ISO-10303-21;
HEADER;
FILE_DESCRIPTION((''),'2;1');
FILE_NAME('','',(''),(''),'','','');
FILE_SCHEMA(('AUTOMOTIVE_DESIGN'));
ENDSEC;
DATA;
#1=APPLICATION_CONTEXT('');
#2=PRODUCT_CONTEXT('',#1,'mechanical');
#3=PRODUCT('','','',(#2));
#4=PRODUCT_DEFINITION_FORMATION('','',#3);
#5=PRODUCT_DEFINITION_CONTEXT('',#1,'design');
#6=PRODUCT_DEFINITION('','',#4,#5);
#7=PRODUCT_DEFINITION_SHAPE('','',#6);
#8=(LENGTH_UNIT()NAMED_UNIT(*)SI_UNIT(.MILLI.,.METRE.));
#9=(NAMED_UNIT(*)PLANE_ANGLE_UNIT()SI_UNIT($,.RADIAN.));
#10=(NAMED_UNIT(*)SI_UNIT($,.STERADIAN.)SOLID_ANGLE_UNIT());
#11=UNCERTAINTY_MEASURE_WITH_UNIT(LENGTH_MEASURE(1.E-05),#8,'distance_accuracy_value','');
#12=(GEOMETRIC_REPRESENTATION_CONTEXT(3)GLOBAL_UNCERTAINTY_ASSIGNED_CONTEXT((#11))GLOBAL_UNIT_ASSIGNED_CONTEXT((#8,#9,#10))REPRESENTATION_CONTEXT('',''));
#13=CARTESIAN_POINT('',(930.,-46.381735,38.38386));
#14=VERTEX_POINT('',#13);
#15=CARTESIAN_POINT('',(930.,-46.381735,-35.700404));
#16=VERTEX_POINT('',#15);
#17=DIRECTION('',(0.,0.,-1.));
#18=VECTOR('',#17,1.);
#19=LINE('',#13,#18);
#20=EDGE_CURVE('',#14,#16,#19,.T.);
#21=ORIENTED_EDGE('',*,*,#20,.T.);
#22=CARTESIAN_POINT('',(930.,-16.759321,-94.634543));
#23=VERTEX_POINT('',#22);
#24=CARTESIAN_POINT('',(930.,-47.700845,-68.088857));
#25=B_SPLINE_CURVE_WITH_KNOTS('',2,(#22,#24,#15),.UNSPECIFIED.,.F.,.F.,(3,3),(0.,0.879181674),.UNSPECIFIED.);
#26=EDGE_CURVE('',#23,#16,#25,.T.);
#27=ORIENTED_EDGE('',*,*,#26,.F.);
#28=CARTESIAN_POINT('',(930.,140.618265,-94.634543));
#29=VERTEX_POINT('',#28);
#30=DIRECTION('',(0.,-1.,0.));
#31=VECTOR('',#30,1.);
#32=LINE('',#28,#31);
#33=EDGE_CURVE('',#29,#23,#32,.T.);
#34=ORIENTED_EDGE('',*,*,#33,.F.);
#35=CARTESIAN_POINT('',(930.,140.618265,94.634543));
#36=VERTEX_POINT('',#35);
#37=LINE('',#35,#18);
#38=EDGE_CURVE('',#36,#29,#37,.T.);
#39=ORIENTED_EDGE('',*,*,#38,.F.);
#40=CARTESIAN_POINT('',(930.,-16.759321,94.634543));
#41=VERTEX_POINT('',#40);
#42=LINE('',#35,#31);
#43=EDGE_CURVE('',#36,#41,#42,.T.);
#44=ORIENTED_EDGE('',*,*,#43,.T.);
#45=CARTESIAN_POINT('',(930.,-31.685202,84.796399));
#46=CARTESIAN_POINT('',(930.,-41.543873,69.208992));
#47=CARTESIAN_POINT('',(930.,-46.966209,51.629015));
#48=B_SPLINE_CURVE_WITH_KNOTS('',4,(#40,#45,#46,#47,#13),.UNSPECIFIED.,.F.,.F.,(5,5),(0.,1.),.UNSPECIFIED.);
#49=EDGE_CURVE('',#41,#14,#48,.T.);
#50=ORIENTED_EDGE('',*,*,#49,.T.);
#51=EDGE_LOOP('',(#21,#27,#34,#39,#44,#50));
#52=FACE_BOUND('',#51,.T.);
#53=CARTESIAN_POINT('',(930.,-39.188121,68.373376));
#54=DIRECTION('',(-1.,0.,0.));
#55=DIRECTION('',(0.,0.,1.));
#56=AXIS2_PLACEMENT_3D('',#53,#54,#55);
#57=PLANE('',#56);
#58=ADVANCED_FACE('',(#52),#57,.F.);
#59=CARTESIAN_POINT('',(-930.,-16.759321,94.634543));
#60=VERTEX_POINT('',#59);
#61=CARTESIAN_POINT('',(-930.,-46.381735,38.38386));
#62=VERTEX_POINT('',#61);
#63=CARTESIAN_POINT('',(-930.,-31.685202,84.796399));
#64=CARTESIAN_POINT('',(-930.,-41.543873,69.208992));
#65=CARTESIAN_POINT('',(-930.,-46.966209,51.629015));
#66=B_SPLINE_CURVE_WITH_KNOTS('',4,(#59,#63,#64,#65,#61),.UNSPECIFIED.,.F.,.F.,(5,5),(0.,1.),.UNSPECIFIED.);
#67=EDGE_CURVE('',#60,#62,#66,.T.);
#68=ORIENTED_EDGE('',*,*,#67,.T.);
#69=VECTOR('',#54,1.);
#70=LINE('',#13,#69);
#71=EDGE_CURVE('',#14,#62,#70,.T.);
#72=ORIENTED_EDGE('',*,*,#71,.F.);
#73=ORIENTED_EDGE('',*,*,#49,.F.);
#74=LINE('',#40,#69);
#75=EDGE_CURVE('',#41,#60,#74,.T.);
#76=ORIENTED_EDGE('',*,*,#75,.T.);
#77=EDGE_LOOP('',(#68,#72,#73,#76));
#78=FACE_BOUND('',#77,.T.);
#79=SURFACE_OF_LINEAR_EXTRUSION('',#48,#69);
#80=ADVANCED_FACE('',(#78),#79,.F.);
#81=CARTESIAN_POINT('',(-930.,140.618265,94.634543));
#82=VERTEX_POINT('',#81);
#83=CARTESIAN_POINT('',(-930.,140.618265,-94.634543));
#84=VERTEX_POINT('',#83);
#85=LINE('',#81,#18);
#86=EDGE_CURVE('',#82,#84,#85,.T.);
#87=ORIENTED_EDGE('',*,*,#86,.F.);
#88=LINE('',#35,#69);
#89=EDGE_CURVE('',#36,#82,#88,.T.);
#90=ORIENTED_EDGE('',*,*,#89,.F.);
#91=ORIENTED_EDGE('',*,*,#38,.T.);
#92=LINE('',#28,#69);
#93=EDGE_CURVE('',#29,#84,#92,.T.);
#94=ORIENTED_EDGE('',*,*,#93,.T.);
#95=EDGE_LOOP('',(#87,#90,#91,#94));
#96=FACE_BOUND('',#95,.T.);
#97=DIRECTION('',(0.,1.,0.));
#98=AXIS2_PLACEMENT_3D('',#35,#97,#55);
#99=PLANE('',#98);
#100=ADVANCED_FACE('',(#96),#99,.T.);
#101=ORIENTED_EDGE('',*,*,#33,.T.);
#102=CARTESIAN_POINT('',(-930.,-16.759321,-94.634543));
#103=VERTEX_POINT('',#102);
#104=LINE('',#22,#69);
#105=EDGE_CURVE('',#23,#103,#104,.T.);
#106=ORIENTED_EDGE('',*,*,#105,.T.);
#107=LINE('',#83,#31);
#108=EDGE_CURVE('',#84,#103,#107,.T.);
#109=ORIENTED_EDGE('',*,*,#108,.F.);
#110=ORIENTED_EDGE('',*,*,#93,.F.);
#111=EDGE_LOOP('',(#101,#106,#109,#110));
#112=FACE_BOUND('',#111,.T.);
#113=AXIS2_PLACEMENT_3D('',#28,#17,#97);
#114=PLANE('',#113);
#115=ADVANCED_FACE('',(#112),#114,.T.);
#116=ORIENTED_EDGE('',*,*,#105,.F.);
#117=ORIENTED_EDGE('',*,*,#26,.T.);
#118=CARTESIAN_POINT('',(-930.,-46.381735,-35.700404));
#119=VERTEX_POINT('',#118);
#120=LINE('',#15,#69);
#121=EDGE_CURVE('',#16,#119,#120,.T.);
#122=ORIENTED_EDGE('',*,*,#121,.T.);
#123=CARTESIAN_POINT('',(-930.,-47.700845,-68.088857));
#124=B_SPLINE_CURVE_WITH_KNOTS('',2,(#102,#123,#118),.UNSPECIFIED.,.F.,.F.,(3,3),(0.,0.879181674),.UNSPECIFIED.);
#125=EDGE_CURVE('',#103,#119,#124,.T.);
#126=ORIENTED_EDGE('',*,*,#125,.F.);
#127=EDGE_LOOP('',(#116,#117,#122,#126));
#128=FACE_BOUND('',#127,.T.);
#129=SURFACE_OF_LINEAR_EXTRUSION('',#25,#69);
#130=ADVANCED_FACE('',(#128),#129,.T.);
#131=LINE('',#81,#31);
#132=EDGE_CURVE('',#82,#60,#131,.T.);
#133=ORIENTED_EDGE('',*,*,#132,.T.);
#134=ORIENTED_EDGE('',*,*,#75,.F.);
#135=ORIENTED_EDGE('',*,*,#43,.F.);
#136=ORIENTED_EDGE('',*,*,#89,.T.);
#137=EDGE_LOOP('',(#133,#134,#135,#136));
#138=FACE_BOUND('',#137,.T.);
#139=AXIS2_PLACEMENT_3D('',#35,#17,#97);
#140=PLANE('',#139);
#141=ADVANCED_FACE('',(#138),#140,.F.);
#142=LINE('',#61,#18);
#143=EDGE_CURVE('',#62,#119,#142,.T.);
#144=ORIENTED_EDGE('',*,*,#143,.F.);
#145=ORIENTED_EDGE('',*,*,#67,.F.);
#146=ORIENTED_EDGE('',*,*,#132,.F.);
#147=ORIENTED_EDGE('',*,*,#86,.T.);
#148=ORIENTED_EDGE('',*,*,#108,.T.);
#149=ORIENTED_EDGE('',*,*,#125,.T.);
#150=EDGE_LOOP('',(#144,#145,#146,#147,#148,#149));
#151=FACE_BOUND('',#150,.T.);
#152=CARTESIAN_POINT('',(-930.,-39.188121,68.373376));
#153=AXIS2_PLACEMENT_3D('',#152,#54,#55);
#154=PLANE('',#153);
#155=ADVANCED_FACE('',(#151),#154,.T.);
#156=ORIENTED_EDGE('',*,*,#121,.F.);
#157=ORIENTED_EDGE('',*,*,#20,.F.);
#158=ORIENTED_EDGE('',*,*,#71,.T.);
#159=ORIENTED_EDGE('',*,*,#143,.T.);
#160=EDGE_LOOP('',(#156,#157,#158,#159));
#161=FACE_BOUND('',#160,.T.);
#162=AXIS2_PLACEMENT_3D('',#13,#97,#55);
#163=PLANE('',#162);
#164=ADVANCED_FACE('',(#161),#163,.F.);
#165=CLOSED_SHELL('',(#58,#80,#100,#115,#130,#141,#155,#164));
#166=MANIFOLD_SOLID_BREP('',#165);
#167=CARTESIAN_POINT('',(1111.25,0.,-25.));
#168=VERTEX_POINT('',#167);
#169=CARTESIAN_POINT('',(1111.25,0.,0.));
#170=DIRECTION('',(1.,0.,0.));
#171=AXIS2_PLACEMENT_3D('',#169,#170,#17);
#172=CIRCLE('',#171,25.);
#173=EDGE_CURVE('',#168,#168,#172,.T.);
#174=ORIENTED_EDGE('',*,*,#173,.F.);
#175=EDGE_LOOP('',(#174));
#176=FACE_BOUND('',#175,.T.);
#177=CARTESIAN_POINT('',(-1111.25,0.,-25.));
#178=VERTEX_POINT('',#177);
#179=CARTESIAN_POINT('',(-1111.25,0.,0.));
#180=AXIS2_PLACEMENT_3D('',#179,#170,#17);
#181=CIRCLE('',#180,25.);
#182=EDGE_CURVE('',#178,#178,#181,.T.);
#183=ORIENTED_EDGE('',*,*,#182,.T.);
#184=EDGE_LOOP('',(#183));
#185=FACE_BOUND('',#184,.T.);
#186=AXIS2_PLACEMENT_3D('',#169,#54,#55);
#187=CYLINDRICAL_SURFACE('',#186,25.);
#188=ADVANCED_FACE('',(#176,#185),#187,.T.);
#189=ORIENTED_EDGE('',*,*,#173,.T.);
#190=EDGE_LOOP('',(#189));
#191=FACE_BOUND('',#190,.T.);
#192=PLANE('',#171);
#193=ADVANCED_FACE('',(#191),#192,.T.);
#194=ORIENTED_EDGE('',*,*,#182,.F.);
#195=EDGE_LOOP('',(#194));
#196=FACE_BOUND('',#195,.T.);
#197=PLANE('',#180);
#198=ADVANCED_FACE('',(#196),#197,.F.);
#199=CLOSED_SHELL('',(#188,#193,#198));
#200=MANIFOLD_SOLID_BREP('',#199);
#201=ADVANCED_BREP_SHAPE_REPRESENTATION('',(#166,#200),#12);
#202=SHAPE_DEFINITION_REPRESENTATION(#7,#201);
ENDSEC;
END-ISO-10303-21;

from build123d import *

# Parameters (mm, degrees)
BOSS_EXTRUDE1_DEPTH = 930.000000042
SKETCH2_R           = 25
BOSS_EXTRUDE2_DEPTH = 1111.25


with BuildPart() as part:
    # Sketch11 → Boss-Extrude1 (new, symmetric)
    with BuildSketch(Plane(origin=(0, 0, 0), x_dir=(0, 0, -1), z_dir=(1, 0, 0))):
        with BuildLine():
            Line((-94.634542526, 140.618265246), (-94.634542526, -16.759321043))
            add(Edge.make_bspline(
                [(-94.634542526, -16.759321043), (-84.796398937, -31.685202318), (-69.208991885, -41.543873053), (-51.629015176, -46.966208653), (-38.383860366, -46.381734754)],
                knots=[0, 0, 0, 0, 0, 1, 1, 1, 1, 1], degree=4))
            Line((-38.383860366, -46.381734754), (35.700403673, -46.381734754))
            add(Edge.make_bspline(
                [(94.634542526, -16.759321059), (68.088856738, -47.700845058), (35.700403673, -46.381734754)],
                knots=[0, 0, 0, 0.879181674, 0.879181674, 0.879181674], degree=2))
            Line((94.634542526, -16.759321059), (94.634542526, 140.618265246))
            Line((94.634542526, 140.618265246), (-94.634542526, 140.618265246))
        make_face()
    extrude(amount=BOSS_EXTRUDE1_DEPTH, both=True)


with BuildPart() as body_2:
    # Sketch2 → Boss-Extrude2 (new, symmetric)
    with BuildSketch(Plane(origin=(0, 0, 0), x_dir=(0, 0, -1), z_dir=(1, 0, 0))):
        Circle(SKETCH2_R)
    extrude(amount=BOSS_EXTRUDE2_DEPTH, both=True)


solid = Compound([part.part, body_2.part])
